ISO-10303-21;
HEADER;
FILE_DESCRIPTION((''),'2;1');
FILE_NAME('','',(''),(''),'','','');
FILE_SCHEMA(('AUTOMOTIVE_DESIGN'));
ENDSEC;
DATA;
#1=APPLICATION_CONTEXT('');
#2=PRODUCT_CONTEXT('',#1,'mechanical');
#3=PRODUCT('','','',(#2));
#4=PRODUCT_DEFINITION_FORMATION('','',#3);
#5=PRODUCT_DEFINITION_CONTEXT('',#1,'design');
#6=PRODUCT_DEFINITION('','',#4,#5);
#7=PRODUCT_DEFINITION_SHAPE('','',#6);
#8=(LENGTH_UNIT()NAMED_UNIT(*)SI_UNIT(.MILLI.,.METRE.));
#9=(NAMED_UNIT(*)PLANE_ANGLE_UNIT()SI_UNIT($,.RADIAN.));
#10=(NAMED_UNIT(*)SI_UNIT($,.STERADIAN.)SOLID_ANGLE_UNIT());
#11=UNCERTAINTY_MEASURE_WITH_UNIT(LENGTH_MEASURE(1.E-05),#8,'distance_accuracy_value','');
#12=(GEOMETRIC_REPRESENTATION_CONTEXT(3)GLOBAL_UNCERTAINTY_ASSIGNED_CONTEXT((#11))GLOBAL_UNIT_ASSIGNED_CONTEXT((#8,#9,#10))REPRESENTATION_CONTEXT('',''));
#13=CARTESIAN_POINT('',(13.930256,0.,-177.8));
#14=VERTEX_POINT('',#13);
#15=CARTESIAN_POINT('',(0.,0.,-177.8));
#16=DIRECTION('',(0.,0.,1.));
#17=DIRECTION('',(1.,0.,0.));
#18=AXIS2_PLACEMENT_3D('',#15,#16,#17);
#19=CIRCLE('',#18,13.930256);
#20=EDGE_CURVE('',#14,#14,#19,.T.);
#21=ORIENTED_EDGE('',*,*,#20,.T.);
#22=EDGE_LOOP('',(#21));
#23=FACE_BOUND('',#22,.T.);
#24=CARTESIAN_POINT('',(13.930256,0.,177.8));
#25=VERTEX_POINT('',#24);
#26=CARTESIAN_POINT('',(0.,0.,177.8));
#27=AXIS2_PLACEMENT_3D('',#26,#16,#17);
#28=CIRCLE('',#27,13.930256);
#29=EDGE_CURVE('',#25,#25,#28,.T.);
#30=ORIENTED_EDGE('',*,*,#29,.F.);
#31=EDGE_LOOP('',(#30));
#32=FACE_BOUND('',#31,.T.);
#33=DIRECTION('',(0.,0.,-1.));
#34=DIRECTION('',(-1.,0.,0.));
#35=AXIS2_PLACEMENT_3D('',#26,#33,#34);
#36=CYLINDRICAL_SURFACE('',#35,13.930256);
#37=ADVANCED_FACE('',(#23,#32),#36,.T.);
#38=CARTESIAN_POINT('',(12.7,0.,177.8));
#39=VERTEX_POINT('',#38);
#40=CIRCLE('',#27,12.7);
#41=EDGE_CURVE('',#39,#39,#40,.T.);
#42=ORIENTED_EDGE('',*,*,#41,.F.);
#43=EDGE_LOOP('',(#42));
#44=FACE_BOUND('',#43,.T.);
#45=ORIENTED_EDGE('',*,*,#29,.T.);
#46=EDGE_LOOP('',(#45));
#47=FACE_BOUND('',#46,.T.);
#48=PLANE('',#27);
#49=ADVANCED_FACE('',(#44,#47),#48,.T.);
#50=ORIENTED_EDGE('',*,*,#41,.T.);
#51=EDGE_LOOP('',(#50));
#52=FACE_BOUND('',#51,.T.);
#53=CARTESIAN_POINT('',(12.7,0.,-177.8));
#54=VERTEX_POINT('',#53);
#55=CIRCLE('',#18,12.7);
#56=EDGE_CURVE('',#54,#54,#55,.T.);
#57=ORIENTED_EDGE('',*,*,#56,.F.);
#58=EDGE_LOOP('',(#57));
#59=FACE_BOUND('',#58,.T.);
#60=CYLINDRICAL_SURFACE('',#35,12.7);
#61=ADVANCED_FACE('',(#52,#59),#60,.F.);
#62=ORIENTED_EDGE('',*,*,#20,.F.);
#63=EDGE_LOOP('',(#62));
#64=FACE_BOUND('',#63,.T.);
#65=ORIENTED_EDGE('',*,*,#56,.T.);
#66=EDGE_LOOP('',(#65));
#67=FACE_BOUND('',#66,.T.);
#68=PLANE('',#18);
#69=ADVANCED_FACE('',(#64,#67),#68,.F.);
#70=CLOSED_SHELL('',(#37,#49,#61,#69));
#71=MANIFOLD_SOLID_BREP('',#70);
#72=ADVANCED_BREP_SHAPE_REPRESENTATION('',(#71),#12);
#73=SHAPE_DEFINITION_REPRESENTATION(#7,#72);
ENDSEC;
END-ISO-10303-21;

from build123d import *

# Parameters (mm, degrees)
SKETCH1_R           = 13.930255965
SKETCH1_R_2         = 12.7
BOSS_EXTRUDE1_DEPTH = 177.8


with BuildPart() as part:
    # Sketch1 → Boss-Extrude1 (new, symmetric)
    with BuildSketch(Plane.XY):
        Circle(SKETCH1_R)
        Circle(SKETCH1_R_2, mode=Mode.SUBTRACT)
    extrude(amount=BOSS_EXTRUDE1_DEPTH, both=True)


solid = part.part
